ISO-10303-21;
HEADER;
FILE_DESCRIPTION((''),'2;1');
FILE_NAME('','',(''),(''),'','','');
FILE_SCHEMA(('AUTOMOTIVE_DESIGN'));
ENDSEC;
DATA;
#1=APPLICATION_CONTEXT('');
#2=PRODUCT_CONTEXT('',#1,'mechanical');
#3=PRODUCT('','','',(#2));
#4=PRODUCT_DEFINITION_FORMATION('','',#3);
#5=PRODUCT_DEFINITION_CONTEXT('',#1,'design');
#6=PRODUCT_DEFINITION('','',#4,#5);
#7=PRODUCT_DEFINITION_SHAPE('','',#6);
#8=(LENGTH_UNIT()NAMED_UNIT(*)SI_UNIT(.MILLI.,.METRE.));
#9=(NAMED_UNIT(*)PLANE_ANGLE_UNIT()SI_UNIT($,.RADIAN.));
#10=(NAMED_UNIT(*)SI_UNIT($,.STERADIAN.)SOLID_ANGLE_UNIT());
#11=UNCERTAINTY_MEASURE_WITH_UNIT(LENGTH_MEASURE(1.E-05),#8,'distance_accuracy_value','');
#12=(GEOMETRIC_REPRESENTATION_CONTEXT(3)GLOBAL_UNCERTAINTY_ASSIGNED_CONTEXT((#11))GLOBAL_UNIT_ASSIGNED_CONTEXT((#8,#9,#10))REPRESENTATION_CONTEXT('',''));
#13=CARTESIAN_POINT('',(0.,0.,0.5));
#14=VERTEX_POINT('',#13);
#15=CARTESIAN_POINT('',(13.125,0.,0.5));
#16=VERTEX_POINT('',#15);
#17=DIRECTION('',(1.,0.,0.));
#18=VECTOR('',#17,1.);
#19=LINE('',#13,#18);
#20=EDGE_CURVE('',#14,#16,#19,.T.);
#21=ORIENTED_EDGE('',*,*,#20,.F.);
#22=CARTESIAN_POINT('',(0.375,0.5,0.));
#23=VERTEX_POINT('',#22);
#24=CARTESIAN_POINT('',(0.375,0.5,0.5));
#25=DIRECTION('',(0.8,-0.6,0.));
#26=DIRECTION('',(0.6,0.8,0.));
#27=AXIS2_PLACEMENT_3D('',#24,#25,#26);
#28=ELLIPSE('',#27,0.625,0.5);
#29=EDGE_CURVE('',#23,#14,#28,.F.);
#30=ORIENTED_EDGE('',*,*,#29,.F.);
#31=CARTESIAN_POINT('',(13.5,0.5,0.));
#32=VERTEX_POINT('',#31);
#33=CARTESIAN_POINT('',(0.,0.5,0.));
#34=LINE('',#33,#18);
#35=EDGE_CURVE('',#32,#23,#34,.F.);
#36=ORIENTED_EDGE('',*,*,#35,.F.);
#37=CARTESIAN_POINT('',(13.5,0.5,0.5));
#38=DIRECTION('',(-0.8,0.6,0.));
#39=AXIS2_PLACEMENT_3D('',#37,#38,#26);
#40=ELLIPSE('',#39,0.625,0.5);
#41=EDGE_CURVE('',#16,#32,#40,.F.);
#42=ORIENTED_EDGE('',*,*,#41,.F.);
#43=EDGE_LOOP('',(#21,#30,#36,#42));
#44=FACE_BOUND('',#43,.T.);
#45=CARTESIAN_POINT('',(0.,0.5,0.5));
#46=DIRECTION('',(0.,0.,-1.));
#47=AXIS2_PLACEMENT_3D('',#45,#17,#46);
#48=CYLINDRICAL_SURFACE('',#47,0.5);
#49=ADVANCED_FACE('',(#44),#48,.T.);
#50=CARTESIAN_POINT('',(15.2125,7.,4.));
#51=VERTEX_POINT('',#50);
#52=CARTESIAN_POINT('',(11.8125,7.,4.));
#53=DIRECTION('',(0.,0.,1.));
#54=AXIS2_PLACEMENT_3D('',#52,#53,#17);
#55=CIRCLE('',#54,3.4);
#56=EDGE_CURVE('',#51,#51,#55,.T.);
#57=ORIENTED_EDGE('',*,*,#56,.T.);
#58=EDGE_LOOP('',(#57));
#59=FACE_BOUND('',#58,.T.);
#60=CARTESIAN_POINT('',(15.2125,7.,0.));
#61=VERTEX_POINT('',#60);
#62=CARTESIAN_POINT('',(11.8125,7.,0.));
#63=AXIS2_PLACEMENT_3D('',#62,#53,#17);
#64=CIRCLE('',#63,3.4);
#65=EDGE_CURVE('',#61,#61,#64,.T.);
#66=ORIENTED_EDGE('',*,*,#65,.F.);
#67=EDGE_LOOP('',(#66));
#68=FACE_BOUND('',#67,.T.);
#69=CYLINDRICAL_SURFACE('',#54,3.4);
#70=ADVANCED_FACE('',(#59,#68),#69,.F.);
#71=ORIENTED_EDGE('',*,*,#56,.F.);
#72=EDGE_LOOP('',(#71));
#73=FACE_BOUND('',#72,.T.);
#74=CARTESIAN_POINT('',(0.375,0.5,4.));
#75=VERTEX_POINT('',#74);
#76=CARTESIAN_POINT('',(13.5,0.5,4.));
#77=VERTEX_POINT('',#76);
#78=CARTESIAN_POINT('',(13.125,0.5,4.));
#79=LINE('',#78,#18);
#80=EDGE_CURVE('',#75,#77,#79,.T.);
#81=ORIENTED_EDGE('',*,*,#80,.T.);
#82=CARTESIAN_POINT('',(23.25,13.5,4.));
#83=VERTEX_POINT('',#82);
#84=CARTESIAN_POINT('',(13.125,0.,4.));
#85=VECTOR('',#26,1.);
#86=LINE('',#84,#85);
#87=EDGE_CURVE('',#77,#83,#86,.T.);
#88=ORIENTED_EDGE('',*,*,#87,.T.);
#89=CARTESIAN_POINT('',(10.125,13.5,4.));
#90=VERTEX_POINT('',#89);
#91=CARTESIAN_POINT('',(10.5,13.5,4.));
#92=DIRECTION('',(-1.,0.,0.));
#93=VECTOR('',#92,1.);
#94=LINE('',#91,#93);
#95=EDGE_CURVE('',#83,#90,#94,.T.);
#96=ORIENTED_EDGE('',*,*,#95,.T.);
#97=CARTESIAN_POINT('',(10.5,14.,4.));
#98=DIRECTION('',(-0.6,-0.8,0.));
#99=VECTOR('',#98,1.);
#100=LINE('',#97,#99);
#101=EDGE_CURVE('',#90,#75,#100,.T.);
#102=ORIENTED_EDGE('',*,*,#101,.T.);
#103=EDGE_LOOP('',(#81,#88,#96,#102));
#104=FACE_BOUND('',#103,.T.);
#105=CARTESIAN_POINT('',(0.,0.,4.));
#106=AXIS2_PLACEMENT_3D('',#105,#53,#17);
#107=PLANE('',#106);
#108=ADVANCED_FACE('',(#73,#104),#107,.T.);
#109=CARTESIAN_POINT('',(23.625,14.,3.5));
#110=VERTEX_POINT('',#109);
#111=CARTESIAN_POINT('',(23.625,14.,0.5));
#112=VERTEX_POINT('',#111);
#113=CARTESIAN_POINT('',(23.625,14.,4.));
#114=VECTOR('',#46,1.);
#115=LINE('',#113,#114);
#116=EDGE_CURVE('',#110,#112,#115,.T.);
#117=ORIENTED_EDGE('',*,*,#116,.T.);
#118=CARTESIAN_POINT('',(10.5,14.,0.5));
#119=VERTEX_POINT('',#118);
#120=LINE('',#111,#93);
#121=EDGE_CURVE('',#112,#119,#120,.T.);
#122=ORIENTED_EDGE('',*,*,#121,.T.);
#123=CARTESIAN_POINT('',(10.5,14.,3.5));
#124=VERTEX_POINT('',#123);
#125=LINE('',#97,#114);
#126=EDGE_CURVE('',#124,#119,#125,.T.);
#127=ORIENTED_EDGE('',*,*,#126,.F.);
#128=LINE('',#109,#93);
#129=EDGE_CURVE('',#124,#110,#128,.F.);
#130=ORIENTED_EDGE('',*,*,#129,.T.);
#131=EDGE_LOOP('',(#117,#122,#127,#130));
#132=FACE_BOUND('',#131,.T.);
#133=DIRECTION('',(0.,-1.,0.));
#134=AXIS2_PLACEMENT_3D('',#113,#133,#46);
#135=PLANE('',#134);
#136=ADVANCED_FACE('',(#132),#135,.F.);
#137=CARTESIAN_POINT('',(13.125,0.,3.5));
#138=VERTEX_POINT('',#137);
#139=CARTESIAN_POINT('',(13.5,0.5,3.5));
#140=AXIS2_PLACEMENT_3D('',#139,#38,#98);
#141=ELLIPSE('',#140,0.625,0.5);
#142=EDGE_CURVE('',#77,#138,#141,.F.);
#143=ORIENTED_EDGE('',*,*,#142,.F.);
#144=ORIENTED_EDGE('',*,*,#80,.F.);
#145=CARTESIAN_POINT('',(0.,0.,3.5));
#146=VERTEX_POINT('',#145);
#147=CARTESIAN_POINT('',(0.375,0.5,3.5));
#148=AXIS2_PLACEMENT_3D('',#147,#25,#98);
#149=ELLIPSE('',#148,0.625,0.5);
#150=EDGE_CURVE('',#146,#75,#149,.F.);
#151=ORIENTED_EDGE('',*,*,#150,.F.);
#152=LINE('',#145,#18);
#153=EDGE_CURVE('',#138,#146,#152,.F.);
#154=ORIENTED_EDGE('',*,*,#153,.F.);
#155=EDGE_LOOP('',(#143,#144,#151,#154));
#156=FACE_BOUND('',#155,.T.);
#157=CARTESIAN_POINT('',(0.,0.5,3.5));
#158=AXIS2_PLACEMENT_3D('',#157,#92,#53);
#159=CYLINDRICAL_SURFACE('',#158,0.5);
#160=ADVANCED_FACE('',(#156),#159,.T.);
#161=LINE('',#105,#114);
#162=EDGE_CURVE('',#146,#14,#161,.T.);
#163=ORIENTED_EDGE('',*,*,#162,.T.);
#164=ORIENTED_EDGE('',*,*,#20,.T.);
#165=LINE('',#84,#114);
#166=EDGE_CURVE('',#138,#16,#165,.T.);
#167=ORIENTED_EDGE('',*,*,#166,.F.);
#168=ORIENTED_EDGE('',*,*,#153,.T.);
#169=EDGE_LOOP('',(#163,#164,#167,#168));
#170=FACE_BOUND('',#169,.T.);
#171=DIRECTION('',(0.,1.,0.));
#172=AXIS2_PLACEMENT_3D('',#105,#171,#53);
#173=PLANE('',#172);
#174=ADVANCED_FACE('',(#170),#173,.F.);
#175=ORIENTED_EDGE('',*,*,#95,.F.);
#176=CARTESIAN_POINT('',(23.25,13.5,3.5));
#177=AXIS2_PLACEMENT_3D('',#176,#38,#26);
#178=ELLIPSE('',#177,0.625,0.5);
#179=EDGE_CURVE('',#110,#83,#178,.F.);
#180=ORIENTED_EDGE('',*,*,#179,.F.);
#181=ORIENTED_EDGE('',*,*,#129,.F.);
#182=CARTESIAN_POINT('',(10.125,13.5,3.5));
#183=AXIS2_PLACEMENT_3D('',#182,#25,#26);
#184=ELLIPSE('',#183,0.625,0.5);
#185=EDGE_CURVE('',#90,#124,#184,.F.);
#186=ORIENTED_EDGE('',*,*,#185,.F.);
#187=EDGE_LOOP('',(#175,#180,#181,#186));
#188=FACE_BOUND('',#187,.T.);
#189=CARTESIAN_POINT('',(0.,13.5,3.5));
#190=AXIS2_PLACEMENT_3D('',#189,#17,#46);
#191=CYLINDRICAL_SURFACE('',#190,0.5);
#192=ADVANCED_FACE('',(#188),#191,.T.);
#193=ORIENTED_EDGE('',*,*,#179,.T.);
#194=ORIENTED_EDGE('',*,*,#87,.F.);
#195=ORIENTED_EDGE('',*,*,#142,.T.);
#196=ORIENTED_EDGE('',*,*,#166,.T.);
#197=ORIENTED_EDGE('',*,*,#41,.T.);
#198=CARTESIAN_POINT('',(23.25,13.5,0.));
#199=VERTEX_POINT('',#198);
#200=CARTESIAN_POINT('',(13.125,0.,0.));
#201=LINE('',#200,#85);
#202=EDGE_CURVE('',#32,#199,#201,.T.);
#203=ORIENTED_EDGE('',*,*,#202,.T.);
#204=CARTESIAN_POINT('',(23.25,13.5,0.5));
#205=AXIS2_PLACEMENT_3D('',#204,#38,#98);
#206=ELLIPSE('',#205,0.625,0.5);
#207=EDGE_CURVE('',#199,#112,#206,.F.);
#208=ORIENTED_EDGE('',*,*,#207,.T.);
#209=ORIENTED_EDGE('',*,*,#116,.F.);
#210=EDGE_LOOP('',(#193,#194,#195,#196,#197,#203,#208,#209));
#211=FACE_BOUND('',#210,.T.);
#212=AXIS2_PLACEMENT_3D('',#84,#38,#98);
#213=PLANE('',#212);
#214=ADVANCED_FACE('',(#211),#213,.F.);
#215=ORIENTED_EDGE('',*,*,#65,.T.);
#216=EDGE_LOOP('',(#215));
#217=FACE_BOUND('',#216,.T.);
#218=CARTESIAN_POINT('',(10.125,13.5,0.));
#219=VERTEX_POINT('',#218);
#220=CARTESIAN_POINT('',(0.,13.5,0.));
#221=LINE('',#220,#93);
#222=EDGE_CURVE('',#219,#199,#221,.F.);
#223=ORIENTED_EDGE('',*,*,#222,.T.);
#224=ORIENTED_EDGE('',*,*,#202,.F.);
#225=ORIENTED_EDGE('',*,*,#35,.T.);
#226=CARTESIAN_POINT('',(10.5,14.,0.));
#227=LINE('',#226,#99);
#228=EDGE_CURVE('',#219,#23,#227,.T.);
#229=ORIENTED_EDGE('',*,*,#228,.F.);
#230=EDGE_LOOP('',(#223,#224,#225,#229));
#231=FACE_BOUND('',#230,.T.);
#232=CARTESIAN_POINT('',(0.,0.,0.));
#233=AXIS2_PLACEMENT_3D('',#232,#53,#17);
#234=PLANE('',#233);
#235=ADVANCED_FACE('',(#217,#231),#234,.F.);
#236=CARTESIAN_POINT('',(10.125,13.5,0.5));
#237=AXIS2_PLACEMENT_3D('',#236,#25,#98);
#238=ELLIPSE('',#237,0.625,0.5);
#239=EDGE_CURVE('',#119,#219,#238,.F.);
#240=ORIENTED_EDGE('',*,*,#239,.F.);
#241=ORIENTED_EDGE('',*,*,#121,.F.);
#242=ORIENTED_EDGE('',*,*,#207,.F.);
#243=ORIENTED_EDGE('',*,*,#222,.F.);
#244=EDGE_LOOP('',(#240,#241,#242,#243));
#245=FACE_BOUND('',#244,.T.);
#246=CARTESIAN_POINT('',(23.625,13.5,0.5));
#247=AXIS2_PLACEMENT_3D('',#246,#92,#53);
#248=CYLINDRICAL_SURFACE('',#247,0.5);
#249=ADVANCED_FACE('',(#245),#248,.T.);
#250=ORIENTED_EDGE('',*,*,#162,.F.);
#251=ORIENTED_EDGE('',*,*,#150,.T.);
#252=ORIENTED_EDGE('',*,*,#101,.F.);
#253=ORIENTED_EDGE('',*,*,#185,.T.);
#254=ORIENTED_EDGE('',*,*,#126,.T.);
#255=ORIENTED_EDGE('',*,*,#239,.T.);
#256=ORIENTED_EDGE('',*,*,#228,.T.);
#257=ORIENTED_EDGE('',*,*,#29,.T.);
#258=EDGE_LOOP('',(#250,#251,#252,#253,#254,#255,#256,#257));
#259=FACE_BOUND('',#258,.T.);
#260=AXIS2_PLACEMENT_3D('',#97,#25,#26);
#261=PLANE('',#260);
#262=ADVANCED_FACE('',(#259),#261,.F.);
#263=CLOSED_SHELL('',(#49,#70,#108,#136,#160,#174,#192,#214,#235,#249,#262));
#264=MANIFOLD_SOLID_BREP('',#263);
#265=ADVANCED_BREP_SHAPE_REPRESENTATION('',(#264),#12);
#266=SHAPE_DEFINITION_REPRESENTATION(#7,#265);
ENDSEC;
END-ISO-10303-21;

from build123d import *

# Parameters (mm, degrees)
EXTRUDE_1_DEPTH        = 4
HOLE_WIZARD_M8_1_D     = 6.8
HOLE_WIZARD_M8_1_DEPTH = 19.75
HOLE_WIZARD_M8_1_TIP   = 2.042926105
FILLET_1_R             = 0.5


with BuildPart() as part:
    # 草图1 → 凸台-拉伸1 (new body)
    with BuildSketch(Plane.XY):
        Polygon((10.5, 14), (0, 0), (13.125, 0), (23.625, 14), align=None)
    extrude(amount=EXTRUDE_1_DEPTH)

    # M8 螺纹孔1
    with Locations(Plane(origin=(11.8125, 7, 4), x_dir=(1, 0, 0), z_dir=(0, 0, 1))):
        with Locations((0, 0)):
            Hole(HOLE_WIZARD_M8_1_D / 2, depth=HOLE_WIZARD_M8_1_DEPTH)
            with Locations((0, 0, -(HOLE_WIZARD_M8_1_DEPTH + HOLE_WIZARD_M8_1_TIP / 2))):  # 118° drill point
                Cone(0, HOLE_WIZARD_M8_1_D / 2, HOLE_WIZARD_M8_1_TIP, mode=Mode.SUBTRACT)

    # 圆角1
    fillet_1_edges = [part.edges().sort_by_distance(p)[0] for p in [
        (6.5625, 0, 4),
        (17.0625, 14, 4),
        (6.5625, 0, 0),
        (17.0625, 14, 0),
    ]]
    fillet(fillet_1_edges, radius=FILLET_1_R)


solid = part.part
